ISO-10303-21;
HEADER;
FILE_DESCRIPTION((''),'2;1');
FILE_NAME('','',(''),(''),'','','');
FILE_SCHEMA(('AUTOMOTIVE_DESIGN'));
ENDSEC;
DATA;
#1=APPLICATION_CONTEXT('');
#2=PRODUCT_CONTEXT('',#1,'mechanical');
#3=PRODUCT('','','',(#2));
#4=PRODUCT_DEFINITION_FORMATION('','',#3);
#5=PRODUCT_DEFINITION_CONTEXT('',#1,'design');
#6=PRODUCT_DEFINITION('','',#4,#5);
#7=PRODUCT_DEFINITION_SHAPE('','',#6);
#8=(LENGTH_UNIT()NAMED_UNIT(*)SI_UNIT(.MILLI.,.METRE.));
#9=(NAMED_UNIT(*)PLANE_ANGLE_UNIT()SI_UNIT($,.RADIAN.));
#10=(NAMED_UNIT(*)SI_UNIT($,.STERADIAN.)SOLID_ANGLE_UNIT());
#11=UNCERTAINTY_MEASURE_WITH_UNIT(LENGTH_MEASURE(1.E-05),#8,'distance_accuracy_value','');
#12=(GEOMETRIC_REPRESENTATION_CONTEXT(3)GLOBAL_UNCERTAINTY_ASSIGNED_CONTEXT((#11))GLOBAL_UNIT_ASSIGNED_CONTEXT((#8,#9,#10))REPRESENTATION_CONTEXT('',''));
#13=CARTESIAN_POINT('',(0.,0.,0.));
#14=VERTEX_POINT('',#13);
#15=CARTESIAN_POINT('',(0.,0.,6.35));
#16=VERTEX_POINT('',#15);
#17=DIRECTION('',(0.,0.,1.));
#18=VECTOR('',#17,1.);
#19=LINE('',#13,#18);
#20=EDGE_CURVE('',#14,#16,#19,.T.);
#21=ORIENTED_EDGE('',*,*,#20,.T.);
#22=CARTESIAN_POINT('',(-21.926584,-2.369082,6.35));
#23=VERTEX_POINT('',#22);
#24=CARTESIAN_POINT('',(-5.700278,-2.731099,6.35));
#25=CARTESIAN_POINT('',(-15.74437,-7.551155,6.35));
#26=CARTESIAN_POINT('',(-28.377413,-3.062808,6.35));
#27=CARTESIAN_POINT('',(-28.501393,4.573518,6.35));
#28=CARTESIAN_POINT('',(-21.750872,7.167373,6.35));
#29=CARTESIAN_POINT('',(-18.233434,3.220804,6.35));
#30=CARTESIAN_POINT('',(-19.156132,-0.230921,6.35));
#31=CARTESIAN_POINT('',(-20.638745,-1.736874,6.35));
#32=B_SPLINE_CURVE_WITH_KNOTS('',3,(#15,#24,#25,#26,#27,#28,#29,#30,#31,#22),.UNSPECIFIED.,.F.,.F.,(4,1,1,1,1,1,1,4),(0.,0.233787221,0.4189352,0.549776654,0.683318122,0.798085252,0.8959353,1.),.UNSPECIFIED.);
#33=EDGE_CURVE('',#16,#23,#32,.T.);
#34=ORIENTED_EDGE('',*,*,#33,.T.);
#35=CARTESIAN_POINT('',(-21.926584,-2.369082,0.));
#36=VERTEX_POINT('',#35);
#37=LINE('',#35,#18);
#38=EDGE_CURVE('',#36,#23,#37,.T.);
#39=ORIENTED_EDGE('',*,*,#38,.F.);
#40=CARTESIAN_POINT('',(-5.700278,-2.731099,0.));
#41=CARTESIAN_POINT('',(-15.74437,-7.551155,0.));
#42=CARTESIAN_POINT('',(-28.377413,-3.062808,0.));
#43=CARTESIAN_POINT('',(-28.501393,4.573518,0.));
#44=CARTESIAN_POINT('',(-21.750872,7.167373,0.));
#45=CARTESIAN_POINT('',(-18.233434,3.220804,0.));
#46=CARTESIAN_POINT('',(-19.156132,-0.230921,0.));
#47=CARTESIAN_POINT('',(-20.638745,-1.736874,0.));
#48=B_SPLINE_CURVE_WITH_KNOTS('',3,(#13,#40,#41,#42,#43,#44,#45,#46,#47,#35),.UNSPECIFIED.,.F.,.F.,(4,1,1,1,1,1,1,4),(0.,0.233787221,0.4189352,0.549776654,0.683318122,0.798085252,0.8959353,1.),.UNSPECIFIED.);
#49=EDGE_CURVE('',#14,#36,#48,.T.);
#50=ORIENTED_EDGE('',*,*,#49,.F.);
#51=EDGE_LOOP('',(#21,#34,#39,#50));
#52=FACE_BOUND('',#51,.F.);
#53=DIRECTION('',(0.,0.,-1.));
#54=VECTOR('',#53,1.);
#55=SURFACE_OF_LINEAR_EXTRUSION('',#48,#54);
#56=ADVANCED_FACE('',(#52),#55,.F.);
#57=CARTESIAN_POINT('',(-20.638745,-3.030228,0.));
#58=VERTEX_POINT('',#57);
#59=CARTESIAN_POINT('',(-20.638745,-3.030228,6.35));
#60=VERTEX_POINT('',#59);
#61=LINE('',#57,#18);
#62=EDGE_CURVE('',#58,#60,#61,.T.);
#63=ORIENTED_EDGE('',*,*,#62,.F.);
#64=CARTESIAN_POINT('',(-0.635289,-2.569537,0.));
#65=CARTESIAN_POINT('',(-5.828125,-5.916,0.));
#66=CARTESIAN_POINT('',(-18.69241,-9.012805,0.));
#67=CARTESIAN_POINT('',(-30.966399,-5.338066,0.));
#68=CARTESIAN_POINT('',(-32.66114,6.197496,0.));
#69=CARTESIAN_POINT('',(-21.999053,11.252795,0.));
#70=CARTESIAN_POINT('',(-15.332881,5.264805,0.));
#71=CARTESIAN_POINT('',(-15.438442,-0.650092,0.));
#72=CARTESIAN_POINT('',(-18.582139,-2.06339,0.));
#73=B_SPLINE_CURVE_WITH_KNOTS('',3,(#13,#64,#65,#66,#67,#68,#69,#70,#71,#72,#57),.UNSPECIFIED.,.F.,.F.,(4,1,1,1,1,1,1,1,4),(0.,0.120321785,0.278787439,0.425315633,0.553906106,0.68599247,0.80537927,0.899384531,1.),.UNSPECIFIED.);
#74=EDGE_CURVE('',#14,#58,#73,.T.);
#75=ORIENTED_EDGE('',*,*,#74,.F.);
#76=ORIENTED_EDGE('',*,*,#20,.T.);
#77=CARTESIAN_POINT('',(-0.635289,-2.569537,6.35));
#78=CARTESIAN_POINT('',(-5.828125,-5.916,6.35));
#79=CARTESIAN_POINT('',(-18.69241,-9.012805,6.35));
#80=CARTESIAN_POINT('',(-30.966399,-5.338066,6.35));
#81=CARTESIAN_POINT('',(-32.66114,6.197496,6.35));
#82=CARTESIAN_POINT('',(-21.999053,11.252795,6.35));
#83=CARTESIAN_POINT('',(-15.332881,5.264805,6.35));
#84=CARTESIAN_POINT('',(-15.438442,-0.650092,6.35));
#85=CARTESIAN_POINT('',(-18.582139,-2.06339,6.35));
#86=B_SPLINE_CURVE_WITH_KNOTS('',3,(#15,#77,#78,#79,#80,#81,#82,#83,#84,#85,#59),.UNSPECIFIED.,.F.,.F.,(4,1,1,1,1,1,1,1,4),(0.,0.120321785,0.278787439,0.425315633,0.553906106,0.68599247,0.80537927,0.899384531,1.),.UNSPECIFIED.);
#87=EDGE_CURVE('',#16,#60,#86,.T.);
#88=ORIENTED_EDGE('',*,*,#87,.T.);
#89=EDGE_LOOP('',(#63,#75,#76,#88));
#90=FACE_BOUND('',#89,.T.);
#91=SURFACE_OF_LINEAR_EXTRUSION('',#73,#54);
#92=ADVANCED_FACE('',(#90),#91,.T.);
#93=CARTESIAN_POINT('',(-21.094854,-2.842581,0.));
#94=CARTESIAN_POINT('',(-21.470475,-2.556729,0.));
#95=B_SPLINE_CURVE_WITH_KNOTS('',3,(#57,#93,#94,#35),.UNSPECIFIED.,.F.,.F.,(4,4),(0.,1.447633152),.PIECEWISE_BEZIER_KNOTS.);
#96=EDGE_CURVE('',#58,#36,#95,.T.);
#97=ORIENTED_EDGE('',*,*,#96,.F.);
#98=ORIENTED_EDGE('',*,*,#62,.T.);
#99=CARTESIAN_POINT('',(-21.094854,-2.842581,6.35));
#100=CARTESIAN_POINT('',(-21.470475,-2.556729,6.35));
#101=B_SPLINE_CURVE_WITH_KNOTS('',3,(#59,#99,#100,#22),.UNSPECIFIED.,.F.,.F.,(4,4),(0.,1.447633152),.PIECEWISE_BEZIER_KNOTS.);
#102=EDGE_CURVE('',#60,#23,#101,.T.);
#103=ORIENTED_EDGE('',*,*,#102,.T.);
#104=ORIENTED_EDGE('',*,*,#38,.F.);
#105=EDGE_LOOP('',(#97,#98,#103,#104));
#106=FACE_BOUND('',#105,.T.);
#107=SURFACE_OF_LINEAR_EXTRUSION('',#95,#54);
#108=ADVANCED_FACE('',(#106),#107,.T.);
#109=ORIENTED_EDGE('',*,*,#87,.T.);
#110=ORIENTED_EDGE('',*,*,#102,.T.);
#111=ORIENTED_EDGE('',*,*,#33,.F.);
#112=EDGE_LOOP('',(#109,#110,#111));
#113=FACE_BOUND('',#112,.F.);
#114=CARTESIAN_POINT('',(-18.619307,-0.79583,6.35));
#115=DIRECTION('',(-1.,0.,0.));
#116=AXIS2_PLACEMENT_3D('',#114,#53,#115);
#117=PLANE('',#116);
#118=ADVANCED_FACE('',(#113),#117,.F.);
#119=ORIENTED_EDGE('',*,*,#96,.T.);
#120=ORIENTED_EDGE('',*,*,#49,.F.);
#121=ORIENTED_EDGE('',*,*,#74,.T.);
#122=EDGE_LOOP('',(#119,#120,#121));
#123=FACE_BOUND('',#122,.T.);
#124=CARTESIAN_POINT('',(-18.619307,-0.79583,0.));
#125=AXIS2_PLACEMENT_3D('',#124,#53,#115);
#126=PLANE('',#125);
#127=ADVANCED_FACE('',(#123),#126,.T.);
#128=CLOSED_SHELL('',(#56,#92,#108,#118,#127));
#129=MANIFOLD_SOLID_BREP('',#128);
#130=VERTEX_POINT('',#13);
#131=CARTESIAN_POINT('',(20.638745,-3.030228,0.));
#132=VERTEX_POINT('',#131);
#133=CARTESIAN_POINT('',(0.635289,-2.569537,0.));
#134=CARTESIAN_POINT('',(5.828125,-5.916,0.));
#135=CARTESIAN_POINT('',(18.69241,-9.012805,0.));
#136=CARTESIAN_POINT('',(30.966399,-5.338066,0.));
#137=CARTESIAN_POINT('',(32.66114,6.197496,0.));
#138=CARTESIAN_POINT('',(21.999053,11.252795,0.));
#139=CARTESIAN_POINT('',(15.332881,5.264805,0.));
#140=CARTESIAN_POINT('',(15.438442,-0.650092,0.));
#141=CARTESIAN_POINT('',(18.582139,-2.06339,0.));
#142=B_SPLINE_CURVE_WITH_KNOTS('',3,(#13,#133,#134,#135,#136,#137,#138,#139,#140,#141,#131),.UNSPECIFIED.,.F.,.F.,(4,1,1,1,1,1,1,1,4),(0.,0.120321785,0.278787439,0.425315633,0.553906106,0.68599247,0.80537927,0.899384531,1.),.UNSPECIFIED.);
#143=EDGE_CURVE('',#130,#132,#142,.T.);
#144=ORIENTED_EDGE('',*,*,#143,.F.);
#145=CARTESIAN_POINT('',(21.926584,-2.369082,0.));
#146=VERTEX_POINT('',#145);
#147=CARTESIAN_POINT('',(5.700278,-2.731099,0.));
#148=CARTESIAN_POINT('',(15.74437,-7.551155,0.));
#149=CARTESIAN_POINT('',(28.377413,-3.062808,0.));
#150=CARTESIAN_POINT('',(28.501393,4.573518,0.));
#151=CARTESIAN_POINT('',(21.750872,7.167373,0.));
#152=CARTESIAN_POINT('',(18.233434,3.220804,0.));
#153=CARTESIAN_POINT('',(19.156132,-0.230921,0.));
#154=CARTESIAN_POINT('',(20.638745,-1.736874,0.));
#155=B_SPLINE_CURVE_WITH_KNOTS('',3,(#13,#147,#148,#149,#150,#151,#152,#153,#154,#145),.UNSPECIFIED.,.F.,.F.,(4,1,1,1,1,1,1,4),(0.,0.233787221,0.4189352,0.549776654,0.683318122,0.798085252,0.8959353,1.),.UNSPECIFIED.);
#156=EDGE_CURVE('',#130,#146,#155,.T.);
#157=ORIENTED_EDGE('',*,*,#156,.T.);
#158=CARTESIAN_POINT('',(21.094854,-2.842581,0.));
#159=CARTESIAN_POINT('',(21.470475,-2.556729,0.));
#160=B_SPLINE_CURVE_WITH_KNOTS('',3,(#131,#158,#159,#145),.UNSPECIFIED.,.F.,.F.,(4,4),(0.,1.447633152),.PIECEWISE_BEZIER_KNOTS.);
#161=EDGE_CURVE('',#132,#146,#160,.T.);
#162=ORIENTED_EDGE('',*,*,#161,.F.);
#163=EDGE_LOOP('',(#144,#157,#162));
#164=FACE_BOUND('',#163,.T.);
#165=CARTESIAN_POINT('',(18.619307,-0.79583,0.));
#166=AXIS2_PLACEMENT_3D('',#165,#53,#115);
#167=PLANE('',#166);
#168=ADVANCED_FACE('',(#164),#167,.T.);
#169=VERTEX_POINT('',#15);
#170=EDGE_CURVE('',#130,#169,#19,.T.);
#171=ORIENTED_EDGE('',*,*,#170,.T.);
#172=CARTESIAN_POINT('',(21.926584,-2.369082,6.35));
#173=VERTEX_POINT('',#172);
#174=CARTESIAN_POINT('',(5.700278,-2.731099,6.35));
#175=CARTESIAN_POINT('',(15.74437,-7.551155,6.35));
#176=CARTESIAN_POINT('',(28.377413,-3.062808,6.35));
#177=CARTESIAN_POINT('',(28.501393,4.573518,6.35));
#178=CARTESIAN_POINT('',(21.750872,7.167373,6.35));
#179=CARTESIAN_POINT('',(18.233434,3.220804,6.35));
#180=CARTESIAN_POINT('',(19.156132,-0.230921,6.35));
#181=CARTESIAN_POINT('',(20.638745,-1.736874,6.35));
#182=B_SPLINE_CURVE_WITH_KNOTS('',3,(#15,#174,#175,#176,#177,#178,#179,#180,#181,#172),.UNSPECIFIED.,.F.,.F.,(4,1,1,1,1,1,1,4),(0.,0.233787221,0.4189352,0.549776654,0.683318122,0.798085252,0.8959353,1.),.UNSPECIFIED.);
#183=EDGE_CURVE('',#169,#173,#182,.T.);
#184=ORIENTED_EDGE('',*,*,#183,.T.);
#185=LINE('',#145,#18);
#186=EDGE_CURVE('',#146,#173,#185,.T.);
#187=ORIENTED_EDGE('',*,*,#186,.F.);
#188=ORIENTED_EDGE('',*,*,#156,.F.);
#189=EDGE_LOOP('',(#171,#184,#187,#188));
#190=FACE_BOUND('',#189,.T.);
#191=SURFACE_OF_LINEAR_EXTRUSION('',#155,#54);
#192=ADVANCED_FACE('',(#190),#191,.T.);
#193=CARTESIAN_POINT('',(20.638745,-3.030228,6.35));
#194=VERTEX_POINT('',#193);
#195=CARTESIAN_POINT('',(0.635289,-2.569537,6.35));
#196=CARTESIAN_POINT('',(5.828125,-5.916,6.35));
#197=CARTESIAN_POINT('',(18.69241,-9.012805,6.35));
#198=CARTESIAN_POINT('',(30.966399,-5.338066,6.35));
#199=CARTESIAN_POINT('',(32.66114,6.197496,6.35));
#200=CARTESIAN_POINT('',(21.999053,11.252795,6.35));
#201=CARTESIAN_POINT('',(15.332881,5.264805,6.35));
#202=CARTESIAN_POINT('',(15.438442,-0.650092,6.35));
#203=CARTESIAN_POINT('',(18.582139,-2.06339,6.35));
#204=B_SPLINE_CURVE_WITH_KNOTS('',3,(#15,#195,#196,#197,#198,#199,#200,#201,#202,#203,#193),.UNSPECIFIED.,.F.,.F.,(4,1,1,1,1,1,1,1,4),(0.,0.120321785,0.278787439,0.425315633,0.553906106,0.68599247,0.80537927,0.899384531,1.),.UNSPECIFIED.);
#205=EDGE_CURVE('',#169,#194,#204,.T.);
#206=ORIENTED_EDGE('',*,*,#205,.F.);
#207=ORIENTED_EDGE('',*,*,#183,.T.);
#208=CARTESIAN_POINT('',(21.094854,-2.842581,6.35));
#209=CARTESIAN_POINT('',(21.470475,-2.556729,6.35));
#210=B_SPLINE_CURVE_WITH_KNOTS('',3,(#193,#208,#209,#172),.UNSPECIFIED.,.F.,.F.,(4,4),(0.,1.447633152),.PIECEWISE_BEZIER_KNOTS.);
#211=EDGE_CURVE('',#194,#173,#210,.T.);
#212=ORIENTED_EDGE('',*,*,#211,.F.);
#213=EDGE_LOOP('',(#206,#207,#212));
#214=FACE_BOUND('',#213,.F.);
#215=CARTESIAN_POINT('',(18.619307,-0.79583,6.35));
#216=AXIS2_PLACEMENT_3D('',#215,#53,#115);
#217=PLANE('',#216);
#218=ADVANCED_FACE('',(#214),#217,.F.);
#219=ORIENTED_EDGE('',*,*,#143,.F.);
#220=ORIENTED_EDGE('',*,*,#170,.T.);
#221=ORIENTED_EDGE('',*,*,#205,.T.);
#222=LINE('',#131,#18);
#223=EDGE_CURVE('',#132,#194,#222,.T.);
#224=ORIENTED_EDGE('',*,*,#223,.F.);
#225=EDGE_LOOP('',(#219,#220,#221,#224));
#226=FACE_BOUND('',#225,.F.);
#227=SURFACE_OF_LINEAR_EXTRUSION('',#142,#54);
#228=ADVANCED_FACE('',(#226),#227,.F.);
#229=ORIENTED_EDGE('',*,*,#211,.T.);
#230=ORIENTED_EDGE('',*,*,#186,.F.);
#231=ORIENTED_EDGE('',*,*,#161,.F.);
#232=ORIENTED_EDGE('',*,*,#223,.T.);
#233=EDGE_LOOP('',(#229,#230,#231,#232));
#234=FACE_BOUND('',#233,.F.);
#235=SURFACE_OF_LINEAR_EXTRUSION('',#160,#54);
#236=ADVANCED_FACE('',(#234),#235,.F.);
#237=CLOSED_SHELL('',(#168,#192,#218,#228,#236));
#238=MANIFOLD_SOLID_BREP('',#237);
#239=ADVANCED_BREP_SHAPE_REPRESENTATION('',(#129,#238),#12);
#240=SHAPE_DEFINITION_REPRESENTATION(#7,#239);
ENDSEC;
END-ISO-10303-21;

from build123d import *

# Parameters (mm, degrees)
F1_DEPTH = 6.35


with BuildPart() as f1:
    # F0 (on Top) → F1 (new body)
    with BuildSketch(Plane.XY):
        with BuildLine():
            add(Edge.make_bspline(
                [(0, 0), (5.7002780579, -2.7310994694), (15.7443703408, -7.5511548795), (28.3774127473, -3.0628077784), (28.5013927788, 4.5735175859), (21.7508723714, 7.1673726354), (18.2334337777, 3.2208039664), (19.1561316073, -0.2309213532), (20.6387454012, -1.7368740733), (21.9265837222, -2.3690818343)],
                knots=[0, 0, 0, 0, 0.2337872211, 0.4189351998, 0.5497766544, 0.683318122, 0.7980852524, 0.8959352997, 1, 1, 1, 1], degree=3))
            add(Edge.make_bspline(
                [(0, 0), (0.6352887954, -2.569537085), (5.828124562, -5.9160002702), (18.6924102527, -9.0128049879), (30.9663985412, -5.3380661183), (32.6611403448, 6.1974959723), (21.9990529382, 11.2527948616), (15.3328806664, 5.2648047536), (15.4384420681, -0.6500915711), (18.5821388147, -2.0633897603), (20.6387454012, -3.0302279629)],
                knots=[0, 0, 0, 0, 0.1203217848, 0.2787874394, 0.4253156327, 0.553906106, 0.6859924701, 0.8053792701, 0.899384531, 1, 1, 1, 1], degree=3))
            add(Edge.make_bspline(
                [(20.6387454012, -3.0302279629), (21.094854482, -2.8425806668), (21.4704746415, -2.5567291304), (21.9265837222, -2.3690818343)],
                knots=[0, 0, 0, 0, 1.4476331525, 1.4476331525, 1.4476331525, 1.4476331525], degree=3))
        make_face()
    extrude(amount=F1_DEPTH)


with BuildPart() as f1b:
    # F0 (on Top) → F1, piece 2 (new body)
    with BuildSketch(Plane.XY):
        with BuildLine():
            add(Edge.make_bspline(
                [(0, 0), (-0.6352887954, -2.569537085), (-5.828124562, -5.9160002702), (-18.6924102527, -9.0128049879), (-30.9663985412, -5.3380661183), (-32.6611403448, 6.1974959723), (-21.9990529382, 11.2527948616), (-15.3328806664, 5.2648047536), (-15.4384420681, -0.6500915711), (-18.5821388147, -2.0633897603), (-20.6387454012, -3.0302279629)],
                knots=[0, 0, 0, 0, 0.1203217848, 0.2787874394, 0.4253156327, 0.553906106, 0.6859924701, 0.8053792701, 0.899384531, 1, 1, 1, 1], degree=3))
            add(Edge.make_bspline(
                [(0, 0), (-5.7002780579, -2.7310994694), (-15.7443703408, -7.5511548795), (-28.3774127473, -3.0628077784), (-28.5013927788, 4.5735175859), (-21.7508723714, 7.1673726354), (-18.2334337777, 3.2208039664), (-19.1561316073, -0.2309213532), (-20.6387454012, -1.7368740733), (-21.9265837222, -2.3690818343)],
                knots=[0, 0, 0, 0, 0.2337872211, 0.4189351998, 0.5497766544, 0.683318122, 0.7980852524, 0.8959352997, 1, 1, 1, 1], degree=3))
            add(Edge.make_bspline(
                [(-20.6387454012, -3.0302279629), (-21.094854482, -2.8425806668), (-21.4704746415, -2.5567291304), (-21.9265837222, -2.3690818343)],
                knots=[0, 0, 0, 0, 1.4476331525, 1.4476331525, 1.4476331525, 1.4476331525], degree=3))
        make_face()
    extrude(amount=F1_DEPTH)


solid = Compound([f1.part, f1b.part])
